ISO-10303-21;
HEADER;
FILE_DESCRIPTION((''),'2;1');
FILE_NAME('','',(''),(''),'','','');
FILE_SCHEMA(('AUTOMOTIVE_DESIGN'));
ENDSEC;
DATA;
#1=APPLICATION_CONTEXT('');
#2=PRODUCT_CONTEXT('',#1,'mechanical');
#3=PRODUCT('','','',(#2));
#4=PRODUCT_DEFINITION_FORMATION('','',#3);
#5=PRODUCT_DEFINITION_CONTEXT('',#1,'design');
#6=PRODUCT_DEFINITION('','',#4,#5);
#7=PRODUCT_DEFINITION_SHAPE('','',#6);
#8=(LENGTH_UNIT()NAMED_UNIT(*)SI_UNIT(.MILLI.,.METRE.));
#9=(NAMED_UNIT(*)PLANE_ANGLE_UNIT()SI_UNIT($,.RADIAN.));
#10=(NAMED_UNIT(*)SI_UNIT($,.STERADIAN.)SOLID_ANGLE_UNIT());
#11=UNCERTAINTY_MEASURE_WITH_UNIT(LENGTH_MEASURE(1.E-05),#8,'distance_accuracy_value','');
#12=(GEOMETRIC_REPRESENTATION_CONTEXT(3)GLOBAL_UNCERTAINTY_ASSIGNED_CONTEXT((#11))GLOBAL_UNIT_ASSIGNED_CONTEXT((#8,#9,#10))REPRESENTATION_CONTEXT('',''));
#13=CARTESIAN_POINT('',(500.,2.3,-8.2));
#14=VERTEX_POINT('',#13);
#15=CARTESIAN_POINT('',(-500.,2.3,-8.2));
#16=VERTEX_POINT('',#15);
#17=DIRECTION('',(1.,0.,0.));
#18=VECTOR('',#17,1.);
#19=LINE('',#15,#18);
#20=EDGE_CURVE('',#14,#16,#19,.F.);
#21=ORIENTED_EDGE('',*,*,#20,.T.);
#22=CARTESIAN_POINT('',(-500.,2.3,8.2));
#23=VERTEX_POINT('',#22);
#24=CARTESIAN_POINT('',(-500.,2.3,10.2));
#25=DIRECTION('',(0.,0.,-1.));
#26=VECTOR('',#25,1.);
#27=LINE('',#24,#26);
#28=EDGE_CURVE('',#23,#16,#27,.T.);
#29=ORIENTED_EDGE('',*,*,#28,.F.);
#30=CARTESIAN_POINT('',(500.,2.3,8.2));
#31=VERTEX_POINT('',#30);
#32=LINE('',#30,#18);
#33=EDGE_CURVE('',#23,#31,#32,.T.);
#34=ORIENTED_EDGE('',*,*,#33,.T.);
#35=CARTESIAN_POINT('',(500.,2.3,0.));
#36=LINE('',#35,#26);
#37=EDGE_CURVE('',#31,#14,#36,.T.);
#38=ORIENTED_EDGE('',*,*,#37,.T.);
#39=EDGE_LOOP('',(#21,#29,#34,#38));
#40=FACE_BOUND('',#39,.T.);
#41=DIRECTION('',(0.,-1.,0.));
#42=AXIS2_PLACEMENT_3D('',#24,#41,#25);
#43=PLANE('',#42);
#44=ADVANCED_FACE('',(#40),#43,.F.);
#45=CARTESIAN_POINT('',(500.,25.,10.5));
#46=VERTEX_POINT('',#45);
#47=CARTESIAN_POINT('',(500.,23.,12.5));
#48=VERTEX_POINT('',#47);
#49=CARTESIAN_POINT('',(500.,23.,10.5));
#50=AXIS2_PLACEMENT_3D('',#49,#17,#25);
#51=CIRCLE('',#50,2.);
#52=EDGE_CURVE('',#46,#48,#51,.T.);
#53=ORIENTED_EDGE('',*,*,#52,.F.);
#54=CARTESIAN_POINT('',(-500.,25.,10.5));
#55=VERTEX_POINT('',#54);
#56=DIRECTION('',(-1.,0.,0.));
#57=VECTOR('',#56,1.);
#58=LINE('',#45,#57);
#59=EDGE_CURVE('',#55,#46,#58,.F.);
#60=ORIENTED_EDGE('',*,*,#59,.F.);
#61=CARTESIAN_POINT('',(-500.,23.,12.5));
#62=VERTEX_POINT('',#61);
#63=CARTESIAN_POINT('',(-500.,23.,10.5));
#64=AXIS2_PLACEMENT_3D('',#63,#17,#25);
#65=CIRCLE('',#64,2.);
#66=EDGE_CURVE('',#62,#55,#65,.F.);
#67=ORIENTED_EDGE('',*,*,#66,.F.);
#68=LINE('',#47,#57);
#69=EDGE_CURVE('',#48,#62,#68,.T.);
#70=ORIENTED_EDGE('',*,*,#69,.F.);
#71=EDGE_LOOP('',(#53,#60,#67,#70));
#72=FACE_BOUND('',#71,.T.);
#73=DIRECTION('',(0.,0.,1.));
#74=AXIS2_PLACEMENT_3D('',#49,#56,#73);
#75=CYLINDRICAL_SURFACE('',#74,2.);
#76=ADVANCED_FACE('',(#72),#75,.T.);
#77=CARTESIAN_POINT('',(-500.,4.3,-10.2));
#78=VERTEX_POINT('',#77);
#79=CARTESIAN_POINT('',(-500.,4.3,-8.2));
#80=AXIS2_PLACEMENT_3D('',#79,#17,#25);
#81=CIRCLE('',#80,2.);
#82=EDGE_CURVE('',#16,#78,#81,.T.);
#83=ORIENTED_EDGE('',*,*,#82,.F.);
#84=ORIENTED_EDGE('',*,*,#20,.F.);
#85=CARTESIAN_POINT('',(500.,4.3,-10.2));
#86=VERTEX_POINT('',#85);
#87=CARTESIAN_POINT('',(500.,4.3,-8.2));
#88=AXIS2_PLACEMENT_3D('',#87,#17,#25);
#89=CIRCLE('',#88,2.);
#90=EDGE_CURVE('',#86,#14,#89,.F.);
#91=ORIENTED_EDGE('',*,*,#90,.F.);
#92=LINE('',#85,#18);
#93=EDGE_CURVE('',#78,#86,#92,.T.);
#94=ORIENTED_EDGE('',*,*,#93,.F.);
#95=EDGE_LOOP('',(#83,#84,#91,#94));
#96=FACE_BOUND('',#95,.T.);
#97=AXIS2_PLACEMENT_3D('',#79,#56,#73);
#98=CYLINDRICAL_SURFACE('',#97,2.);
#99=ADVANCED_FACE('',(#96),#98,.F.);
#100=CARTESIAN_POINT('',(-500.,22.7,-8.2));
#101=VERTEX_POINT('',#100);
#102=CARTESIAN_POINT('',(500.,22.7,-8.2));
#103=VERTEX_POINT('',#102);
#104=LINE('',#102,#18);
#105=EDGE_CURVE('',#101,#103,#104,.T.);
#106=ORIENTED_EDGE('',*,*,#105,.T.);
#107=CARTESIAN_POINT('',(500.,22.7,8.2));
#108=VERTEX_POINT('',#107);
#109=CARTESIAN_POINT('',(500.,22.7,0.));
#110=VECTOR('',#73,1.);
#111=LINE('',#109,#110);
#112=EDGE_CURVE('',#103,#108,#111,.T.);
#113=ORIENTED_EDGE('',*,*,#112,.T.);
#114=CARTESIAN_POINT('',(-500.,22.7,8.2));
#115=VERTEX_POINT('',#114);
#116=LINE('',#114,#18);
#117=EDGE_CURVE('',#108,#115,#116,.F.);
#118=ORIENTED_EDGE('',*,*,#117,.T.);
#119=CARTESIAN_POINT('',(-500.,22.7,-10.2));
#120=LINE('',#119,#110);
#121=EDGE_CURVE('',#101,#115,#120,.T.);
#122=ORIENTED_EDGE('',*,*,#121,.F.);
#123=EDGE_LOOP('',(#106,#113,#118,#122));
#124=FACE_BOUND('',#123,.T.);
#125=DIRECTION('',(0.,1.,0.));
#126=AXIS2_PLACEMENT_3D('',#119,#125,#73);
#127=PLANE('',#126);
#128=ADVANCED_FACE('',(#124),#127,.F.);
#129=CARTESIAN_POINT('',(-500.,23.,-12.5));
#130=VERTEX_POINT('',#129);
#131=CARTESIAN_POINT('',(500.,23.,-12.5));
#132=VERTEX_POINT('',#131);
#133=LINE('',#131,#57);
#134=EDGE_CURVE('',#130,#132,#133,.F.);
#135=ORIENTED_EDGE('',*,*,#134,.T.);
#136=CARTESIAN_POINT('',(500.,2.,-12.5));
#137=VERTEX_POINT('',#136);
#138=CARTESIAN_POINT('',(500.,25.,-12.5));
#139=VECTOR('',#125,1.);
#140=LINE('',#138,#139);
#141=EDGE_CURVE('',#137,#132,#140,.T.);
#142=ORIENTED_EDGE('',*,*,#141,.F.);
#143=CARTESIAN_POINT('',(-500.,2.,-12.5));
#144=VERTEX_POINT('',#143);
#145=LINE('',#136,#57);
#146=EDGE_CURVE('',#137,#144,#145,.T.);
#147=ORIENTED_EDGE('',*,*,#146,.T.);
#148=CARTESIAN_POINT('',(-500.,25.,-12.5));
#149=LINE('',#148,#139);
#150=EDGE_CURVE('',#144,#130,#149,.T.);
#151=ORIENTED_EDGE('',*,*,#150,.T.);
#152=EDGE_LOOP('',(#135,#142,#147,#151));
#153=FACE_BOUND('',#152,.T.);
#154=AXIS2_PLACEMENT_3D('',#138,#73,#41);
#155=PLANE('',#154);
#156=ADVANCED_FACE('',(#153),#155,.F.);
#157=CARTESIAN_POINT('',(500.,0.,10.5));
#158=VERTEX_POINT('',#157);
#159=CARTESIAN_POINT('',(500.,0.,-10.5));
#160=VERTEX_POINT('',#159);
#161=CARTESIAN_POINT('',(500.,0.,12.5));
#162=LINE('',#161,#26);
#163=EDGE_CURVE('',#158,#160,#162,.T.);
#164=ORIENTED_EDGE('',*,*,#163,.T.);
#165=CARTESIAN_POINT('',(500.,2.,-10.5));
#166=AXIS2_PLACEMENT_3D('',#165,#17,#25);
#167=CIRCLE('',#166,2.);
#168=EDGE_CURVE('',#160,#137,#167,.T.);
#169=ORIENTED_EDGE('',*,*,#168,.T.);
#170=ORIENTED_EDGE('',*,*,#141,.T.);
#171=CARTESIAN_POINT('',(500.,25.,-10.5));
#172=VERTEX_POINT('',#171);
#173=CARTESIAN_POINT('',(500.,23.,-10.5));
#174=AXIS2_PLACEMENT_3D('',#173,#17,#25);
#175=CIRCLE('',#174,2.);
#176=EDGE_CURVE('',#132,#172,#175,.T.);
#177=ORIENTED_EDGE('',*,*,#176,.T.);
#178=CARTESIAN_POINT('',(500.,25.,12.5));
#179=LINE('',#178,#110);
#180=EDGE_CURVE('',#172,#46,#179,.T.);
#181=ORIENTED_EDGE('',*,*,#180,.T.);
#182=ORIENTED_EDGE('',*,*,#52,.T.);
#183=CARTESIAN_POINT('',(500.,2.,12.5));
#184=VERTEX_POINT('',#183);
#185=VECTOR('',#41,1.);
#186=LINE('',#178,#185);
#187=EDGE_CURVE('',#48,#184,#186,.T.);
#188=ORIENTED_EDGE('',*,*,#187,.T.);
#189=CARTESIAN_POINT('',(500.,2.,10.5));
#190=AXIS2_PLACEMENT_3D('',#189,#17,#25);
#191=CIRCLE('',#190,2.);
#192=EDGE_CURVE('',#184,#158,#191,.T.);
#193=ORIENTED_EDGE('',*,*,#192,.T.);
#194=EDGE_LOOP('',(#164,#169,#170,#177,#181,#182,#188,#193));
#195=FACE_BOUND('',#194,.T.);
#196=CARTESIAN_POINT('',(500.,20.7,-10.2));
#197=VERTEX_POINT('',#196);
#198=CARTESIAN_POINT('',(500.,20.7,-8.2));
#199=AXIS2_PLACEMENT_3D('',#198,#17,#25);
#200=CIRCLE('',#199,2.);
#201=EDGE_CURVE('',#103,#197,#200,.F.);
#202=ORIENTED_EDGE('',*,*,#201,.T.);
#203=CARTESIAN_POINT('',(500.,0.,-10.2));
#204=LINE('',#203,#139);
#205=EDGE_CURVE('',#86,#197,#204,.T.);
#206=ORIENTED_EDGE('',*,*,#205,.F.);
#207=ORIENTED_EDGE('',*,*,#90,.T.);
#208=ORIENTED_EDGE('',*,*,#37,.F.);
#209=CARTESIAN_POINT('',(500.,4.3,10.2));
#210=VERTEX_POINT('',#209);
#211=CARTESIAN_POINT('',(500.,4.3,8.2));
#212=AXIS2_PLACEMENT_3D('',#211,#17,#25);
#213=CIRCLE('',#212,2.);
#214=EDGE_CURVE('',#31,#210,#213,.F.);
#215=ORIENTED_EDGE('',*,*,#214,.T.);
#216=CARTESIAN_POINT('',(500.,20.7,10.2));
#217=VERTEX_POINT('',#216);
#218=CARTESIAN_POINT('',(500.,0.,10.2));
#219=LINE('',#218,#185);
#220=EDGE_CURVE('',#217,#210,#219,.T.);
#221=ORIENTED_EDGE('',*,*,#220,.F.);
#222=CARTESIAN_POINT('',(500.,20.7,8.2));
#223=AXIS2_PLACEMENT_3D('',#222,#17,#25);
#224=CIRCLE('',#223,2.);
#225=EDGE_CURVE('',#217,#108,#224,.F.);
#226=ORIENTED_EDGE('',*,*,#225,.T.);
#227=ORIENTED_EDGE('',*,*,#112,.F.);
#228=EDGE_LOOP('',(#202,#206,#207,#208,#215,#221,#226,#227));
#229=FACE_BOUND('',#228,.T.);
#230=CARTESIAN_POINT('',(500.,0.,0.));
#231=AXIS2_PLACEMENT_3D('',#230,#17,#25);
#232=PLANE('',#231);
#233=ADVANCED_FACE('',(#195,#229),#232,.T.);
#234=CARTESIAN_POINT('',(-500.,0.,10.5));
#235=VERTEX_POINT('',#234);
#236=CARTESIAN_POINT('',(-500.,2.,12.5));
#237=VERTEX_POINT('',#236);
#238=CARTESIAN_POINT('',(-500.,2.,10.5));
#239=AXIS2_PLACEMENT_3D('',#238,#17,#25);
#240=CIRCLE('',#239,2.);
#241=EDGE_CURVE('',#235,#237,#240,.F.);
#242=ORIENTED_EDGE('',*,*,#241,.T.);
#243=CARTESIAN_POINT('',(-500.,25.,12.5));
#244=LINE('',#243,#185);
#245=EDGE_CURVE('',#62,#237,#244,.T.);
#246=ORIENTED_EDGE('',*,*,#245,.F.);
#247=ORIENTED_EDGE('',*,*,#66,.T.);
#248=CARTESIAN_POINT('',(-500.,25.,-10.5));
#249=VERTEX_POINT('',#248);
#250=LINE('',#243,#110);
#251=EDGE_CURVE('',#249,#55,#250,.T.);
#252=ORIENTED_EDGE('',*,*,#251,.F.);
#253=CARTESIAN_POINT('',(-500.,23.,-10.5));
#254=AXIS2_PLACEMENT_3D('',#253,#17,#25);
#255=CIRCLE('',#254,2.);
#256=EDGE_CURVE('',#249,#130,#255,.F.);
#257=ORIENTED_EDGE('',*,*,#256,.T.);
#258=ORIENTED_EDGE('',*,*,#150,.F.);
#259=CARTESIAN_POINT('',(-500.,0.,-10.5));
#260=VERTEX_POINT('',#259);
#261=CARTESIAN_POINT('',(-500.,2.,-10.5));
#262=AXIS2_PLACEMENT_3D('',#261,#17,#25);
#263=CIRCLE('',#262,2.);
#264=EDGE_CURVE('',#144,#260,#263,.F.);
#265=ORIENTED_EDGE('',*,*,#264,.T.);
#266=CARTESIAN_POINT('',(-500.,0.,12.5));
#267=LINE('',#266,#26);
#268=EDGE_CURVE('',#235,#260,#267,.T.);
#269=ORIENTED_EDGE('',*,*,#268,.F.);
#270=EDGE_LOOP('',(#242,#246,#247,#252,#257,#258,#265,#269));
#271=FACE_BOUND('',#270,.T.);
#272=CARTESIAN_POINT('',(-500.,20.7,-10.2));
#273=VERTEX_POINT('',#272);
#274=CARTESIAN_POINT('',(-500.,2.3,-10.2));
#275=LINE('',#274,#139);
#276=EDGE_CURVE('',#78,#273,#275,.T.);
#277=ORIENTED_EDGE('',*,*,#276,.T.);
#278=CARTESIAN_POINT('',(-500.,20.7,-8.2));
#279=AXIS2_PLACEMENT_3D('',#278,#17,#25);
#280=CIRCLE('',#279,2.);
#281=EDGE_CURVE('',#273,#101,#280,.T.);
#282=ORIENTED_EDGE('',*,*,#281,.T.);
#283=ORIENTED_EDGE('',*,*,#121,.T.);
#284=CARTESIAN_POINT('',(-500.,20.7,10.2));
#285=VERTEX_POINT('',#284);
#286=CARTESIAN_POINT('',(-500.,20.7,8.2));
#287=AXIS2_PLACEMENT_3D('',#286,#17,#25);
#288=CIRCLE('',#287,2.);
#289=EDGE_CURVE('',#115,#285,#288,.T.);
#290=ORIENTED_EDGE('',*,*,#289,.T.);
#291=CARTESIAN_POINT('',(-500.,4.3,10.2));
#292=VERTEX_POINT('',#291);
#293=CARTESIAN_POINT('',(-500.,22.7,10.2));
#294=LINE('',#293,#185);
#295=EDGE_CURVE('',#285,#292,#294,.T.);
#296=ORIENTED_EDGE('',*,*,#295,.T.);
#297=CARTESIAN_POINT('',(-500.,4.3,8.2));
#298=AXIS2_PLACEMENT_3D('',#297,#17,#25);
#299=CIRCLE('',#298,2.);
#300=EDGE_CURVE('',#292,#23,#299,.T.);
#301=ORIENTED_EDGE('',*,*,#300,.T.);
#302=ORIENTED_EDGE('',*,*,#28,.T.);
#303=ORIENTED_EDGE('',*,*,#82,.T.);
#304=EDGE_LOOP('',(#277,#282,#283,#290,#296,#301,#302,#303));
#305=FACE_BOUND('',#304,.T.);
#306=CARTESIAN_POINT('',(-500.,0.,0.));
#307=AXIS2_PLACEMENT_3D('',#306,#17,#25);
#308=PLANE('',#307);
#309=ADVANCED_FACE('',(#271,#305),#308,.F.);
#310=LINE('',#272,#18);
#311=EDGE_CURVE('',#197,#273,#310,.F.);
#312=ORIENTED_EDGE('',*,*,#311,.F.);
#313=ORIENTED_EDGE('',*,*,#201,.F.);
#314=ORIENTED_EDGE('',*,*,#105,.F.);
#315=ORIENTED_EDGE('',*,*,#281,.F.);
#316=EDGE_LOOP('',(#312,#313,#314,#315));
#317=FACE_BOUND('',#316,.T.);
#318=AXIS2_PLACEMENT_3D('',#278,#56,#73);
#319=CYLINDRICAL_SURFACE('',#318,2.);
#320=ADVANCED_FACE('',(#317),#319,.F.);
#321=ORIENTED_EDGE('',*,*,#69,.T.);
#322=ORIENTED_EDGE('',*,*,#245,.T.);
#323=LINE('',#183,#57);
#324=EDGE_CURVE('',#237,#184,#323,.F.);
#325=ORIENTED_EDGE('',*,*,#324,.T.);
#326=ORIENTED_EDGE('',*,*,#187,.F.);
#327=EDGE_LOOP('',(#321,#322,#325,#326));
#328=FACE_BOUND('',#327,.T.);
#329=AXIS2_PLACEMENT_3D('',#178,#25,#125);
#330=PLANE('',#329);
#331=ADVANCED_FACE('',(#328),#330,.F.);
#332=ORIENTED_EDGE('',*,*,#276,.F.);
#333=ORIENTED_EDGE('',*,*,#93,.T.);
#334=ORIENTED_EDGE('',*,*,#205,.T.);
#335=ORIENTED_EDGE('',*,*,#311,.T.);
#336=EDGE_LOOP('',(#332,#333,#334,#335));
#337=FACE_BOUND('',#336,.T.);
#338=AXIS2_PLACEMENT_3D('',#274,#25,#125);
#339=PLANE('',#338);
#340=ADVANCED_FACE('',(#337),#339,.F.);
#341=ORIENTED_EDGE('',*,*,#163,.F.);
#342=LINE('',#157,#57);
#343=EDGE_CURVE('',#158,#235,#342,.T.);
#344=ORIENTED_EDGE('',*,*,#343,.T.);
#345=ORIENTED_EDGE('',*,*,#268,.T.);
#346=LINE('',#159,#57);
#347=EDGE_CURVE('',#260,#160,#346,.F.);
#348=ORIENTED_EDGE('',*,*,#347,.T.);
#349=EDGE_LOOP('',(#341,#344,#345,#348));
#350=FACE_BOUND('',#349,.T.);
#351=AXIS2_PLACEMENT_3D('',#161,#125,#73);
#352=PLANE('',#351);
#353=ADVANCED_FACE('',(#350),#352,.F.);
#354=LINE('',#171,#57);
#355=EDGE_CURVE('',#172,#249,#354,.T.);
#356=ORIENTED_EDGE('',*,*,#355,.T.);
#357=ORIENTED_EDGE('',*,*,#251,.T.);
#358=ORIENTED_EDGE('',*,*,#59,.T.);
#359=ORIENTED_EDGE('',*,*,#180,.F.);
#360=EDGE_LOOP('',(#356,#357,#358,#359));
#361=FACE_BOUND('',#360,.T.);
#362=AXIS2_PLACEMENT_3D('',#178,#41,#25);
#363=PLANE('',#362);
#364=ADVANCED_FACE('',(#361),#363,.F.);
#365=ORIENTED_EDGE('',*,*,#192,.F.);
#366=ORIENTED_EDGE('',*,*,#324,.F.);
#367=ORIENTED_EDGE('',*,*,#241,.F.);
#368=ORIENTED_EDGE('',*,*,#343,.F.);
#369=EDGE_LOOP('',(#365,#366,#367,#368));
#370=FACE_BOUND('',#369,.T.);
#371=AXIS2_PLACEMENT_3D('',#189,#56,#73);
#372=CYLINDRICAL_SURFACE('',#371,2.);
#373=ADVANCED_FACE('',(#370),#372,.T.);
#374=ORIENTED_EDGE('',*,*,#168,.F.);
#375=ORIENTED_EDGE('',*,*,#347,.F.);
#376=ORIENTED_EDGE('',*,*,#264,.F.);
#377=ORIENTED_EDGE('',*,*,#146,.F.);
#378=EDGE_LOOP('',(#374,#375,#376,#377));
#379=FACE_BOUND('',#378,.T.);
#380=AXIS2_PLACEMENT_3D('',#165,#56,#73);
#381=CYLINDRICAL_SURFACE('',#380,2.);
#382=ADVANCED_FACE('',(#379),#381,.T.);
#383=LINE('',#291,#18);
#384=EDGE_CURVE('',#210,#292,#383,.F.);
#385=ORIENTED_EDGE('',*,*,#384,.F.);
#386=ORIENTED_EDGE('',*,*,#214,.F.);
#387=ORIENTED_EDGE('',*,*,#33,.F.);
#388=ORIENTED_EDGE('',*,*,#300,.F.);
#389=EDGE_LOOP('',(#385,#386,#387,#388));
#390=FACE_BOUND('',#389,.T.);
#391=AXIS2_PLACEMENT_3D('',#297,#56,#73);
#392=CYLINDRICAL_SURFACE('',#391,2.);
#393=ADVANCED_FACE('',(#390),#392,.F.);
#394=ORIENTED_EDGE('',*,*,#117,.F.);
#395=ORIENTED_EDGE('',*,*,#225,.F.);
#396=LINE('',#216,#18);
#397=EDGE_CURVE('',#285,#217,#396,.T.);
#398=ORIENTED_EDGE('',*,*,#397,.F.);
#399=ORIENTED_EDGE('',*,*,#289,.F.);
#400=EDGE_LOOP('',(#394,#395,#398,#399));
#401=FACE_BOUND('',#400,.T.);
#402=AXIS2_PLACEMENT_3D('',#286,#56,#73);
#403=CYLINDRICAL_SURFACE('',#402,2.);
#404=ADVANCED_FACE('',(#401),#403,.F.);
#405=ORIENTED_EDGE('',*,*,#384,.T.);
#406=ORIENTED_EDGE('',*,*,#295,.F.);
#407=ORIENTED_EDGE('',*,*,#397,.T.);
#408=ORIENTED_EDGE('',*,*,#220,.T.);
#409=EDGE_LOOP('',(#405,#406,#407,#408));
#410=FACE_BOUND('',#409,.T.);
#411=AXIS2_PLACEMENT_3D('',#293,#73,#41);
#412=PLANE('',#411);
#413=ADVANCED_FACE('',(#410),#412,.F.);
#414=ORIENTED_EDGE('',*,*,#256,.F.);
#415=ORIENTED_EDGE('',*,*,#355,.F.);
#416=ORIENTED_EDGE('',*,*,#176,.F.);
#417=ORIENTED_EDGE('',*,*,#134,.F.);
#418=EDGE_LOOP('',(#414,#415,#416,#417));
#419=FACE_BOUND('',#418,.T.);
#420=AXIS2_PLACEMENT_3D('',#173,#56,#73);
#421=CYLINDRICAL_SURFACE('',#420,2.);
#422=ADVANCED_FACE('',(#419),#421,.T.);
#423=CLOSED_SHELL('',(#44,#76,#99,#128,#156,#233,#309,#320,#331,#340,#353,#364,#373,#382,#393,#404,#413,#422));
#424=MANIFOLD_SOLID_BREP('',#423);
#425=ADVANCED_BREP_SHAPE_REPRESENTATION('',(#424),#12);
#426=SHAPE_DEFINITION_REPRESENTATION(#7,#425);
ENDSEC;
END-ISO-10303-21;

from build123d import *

# Parameters (mm, degrees)
SKETCH1_W               = 25
SKETCH1_H               = 25
BOSS_EXTRUDE1_DEPTH     = 500
FILLET1_R               = 2
CUT_EXTRUDE1_DEPTH      = 1001.390548736
CUT_EXTRUDE1_DEPTH_BACK = 1001.390548736
SKETCH2_W               = 20.4
SKETCH2_H               = 20.4
FILLET2_R               = 2


with BuildPart() as part:
    # Sketch1 → Boss-Extrude1 (new, symmetric)
    with BuildSketch(Plane(origin=(0, 0, 0), x_dir=(0, 0, -1), z_dir=(1, 0, 0))):
        with Locations((0, 12.5)):
            Rectangle(SKETCH1_W, SKETCH1_H)
    extrude(amount=BOSS_EXTRUDE1_DEPTH, both=True)

    # Fillet1
    fillet1_edges = [part.edges().sort_by_distance(p)[0] for p in [
        (0, 25, 12.5),
        (0, 25, -12.5),
        (0, 0, -12.5),
        (0, 0, 12.5),
    ]]
    fillet(fillet1_edges, radius=FILLET1_R)

    # Sketch2 → Cut-Extrude1 (cut, two sides: drawn at the far end of the back side and taken through both)
    with BuildSketch(Plane(origin=(500, 0, 0), x_dir=(0, 0, -1), z_dir=(1, 0, 0)).offset(-CUT_EXTRUDE1_DEPTH_BACK)):
        with Locations((0, 12.5)):
            Rectangle(SKETCH2_W, SKETCH2_H)
    extrude(amount=CUT_EXTRUDE1_DEPTH + CUT_EXTRUDE1_DEPTH_BACK, mode=Mode.SUBTRACT)

    # Fillet2
    fillet2_edges = [part.edges().sort_by_distance(p)[0] for p in [
        (0, 22.7, 10.2),
        (0, 22.7, -10.2),
        (0, 2.3, -10.2),
        (0, 2.3, 10.2),
    ]]
    fillet(fillet2_edges, radius=FILLET2_R)


solid = part.part
